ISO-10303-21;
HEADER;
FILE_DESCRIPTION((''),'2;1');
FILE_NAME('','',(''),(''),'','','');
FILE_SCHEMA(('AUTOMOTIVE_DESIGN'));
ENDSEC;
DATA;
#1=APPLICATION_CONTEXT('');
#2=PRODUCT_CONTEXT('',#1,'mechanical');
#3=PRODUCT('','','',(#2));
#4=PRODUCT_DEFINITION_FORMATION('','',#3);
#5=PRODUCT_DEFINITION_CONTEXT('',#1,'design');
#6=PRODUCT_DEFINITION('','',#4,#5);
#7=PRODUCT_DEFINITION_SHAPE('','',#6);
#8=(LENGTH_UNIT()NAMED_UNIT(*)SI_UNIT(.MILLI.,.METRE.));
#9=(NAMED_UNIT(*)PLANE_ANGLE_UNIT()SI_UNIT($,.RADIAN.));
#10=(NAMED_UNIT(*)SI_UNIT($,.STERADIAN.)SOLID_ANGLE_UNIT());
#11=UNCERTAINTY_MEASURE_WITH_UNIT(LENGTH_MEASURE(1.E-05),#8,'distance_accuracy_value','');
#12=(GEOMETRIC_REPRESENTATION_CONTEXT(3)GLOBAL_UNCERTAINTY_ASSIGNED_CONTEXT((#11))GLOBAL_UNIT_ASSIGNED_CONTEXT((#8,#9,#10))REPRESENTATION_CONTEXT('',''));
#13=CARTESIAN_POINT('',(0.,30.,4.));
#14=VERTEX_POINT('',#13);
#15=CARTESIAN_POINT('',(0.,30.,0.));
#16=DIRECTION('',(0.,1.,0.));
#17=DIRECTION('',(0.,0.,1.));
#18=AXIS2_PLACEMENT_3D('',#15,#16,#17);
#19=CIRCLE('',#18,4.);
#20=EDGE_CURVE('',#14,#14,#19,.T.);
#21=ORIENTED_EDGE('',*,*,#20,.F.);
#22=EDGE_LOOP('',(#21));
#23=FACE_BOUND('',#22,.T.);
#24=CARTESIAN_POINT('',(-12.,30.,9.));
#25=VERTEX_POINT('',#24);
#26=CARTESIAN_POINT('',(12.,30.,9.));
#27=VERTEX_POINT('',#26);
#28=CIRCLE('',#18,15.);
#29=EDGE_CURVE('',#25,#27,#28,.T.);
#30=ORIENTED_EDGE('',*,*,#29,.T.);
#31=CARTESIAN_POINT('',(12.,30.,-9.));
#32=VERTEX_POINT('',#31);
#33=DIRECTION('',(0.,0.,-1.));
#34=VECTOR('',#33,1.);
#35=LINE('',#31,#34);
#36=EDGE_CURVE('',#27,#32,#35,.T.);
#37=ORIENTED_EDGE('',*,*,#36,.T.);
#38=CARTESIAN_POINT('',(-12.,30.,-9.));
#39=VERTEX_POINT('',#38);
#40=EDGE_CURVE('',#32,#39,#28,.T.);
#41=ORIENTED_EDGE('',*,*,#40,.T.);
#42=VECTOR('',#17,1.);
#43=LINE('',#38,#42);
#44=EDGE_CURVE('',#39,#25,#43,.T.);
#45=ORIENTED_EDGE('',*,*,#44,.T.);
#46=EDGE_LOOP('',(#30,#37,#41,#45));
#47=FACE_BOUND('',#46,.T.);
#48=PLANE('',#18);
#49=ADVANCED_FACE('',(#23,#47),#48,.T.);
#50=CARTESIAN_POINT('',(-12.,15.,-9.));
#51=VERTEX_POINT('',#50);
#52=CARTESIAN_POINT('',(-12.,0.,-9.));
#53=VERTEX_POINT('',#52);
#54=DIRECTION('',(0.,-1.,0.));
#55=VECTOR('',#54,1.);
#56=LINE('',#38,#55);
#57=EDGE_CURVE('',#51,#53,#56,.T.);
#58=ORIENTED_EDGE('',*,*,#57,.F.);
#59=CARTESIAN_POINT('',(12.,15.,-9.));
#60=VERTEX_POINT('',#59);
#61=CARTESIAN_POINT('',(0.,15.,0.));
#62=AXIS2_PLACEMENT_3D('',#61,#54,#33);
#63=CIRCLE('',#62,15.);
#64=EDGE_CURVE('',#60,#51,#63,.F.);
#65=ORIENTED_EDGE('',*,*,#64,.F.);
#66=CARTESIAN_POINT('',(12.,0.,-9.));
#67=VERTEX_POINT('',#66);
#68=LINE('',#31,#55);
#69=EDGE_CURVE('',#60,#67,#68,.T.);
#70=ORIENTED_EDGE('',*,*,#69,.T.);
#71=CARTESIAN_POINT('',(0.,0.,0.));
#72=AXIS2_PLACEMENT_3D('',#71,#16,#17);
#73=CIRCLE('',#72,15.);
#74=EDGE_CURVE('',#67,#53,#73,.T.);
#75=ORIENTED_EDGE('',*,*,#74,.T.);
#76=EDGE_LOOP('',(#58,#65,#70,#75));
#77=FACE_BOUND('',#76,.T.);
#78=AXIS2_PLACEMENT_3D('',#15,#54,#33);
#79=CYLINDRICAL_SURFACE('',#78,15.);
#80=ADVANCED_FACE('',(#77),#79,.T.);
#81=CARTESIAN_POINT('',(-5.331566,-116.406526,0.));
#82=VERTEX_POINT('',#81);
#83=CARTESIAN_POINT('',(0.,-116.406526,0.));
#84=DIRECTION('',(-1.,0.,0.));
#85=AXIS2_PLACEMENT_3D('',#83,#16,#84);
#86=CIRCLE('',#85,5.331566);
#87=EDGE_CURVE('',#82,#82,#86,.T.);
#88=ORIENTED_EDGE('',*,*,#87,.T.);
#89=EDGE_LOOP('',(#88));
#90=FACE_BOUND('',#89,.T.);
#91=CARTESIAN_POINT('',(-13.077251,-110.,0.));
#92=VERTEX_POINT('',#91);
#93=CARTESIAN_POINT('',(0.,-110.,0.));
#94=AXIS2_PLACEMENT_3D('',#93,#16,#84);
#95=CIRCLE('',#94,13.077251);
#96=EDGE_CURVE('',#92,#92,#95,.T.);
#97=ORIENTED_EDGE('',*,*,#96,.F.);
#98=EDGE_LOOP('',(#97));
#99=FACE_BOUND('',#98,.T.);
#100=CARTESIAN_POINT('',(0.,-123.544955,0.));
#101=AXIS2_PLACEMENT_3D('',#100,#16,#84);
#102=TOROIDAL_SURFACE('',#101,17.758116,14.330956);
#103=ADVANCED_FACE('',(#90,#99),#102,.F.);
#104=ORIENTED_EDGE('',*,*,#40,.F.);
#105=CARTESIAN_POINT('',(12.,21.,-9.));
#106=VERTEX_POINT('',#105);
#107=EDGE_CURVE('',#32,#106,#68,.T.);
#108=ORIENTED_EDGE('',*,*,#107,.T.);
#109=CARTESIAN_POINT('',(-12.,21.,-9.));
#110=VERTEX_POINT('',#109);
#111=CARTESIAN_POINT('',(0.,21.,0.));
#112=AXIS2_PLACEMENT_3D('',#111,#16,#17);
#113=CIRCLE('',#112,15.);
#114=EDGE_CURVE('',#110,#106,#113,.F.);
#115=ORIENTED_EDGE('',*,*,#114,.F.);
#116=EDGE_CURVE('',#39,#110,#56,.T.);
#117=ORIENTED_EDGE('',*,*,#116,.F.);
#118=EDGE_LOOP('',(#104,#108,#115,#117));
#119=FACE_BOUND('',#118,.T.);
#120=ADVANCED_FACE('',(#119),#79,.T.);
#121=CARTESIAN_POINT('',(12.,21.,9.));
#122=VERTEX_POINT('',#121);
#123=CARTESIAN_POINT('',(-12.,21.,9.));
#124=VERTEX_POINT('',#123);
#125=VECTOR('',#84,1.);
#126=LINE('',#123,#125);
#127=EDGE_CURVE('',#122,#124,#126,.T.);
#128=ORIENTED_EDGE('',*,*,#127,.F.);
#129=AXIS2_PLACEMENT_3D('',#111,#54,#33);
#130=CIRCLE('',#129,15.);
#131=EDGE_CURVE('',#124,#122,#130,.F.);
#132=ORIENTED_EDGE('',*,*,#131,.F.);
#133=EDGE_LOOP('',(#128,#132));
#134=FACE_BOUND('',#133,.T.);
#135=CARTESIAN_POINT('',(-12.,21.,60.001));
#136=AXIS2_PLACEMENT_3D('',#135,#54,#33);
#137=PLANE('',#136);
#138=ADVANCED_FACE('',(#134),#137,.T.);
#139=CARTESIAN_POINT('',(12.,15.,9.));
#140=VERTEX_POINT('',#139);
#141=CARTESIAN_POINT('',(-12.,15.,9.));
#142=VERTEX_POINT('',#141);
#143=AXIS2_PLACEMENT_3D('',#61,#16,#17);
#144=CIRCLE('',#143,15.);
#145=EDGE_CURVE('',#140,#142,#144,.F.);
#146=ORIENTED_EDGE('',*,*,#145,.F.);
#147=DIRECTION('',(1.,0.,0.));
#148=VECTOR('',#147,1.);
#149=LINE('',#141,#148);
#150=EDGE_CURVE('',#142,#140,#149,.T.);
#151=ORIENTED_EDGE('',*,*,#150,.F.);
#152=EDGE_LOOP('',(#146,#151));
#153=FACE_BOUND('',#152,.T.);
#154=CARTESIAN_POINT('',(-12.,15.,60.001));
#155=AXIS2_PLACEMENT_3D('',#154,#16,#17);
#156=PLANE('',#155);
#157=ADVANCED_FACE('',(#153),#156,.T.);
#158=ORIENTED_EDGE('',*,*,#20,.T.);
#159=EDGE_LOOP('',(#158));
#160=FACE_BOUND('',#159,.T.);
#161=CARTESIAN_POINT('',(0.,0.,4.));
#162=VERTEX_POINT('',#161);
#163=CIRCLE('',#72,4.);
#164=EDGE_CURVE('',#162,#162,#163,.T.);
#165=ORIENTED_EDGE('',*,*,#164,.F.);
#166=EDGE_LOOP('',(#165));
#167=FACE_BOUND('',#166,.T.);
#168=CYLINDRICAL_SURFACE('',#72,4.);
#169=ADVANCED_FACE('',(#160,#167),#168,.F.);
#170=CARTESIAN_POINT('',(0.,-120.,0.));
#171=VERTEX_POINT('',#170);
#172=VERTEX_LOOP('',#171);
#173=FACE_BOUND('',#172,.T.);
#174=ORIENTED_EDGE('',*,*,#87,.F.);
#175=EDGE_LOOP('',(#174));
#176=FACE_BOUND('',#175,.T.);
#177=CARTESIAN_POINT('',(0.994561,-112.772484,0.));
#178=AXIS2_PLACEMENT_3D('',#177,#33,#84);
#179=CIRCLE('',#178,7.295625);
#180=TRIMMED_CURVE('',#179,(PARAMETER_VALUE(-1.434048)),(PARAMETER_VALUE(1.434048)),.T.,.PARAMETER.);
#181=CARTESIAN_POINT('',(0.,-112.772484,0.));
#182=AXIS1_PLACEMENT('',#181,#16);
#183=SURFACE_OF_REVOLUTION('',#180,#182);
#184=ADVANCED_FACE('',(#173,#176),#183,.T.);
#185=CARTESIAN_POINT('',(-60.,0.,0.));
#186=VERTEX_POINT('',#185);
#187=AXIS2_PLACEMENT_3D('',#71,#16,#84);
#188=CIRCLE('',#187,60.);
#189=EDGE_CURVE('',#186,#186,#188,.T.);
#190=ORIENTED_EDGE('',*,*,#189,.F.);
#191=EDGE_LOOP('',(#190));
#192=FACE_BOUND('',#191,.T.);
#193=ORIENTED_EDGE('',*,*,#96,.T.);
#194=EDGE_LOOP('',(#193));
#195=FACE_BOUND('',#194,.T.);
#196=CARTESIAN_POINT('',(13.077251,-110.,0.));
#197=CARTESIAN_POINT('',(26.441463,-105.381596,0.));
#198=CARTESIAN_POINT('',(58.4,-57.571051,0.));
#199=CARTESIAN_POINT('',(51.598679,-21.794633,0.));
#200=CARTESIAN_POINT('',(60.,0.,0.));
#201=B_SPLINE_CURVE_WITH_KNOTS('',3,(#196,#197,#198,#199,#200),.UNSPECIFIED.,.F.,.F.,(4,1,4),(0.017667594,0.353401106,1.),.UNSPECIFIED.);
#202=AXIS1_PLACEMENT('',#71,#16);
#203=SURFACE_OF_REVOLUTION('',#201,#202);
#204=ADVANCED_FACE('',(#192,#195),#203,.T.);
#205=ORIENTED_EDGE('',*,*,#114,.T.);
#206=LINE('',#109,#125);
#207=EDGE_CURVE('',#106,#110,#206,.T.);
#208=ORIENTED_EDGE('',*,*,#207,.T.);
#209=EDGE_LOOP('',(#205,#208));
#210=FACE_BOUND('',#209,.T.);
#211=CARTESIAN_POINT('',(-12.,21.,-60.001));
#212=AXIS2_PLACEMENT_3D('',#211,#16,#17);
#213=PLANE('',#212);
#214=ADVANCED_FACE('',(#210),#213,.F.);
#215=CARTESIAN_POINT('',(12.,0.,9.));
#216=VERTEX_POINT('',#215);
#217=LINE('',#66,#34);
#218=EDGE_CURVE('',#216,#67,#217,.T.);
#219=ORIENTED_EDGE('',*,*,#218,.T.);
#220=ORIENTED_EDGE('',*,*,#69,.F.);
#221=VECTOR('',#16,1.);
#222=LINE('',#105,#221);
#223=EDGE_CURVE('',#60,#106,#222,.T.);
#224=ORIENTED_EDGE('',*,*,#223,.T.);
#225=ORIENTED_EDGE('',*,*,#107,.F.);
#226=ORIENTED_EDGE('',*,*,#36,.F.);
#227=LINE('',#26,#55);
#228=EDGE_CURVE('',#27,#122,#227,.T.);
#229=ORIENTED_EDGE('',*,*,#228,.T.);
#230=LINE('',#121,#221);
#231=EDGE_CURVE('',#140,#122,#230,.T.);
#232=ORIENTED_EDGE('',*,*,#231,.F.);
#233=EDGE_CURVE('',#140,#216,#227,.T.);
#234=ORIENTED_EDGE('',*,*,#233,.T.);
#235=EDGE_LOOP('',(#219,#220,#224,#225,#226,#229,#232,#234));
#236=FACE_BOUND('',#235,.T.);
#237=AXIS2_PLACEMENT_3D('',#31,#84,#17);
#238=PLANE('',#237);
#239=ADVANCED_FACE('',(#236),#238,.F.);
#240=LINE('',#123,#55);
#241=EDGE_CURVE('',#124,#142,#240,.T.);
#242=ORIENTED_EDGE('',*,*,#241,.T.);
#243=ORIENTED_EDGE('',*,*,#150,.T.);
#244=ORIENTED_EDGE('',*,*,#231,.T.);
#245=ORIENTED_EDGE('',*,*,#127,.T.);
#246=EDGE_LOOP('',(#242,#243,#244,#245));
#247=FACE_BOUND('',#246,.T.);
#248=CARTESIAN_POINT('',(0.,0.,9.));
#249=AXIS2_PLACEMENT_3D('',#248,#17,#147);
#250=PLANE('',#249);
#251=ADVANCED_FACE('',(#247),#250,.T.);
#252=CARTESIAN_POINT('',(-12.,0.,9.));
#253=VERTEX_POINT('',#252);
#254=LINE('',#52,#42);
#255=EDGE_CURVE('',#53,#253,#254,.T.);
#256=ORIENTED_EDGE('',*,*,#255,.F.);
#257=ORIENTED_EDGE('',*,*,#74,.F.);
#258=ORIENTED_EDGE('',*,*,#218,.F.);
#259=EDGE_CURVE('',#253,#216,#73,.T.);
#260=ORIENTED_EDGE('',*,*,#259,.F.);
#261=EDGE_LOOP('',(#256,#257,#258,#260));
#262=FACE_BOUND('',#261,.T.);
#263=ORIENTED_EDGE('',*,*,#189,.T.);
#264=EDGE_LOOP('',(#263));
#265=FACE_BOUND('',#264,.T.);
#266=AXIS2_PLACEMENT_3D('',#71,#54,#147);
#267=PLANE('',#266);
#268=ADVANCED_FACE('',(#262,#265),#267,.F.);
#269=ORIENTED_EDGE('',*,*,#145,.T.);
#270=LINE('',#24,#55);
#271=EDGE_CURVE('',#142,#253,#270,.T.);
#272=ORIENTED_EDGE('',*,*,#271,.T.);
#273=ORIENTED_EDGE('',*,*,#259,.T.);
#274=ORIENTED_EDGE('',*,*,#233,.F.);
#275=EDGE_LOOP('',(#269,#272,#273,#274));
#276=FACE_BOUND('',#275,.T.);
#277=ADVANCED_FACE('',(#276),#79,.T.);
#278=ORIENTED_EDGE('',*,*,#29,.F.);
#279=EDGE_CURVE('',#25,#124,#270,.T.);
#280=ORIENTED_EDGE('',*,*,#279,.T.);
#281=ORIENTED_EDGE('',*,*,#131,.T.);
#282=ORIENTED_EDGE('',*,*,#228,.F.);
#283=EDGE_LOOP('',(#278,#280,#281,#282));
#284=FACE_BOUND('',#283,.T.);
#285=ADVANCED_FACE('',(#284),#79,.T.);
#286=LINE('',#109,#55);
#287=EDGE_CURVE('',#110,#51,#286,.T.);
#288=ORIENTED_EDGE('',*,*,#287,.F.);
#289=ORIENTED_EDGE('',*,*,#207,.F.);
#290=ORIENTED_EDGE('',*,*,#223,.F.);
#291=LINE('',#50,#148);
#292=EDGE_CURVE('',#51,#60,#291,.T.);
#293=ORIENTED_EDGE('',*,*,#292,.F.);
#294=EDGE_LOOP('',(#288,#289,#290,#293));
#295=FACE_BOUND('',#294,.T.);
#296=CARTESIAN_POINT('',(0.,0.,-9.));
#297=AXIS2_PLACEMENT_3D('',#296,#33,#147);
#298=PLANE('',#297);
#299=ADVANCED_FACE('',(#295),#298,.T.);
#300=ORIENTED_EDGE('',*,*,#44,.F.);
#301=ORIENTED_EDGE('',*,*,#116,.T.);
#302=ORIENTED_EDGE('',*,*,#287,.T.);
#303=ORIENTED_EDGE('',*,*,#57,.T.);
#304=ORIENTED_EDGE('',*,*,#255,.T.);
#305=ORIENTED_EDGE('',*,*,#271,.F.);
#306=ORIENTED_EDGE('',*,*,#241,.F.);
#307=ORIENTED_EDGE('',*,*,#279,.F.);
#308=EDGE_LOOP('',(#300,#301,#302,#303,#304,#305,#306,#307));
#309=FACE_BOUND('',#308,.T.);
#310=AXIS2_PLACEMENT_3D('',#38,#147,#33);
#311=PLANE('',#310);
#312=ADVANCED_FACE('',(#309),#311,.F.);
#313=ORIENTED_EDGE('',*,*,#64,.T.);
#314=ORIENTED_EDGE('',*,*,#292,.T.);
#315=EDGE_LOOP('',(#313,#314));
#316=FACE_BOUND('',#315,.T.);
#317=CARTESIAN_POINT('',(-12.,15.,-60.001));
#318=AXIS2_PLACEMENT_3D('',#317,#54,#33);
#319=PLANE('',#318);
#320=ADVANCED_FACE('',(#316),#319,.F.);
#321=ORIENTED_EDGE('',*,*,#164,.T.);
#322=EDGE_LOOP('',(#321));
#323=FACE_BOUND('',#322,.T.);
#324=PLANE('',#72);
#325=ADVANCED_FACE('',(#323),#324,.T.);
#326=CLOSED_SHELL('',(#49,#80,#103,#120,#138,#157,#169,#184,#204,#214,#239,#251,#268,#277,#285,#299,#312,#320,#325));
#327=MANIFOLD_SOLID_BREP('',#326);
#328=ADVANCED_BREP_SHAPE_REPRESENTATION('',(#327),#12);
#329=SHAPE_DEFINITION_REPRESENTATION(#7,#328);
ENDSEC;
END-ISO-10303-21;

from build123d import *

# Parameters (mm, degrees)
BOSS_EXTRUDE1_DEPTH = 30
SKETCH3_R           = 4
CUT_EXTRUDE1_DEPTH  = 30
CUT_EXTRUDE2_REACH  = 152.867
SKETCH5_W           = 24
SKETCH5_H           = 6


with BuildPart() as part:
    # Sketch1 → Revolve5 (revolve)
    with BuildSketch(Plane.XY, mode=Mode.PRIVATE) as revolve5_sk:
        with BuildLine():
            Line((0, 0), (60, 0))
            add(Edge.make_bspline(
                [(13.077250629, -110), (26.441462871, -105.381596251), (58.400000122, -57.571050955), (51.598678878, -21.794632863), (60, 0)],
                knots=[0.017667594, 0.017667594, 0.017667594, 0.017667594, 0.353401106, 1, 1, 1, 1], degree=3))
            ThreePointArc((13.077250629, -110), (8.624288133, -112.501880222), (5.3315658, -116.406526078))
            ThreePointArc((5.3315658, -116.406526078), (3.082984988, -118.82225748), (0, -120))
            Line((0, -120), (0, 0))
        make_face()
    revolve(revolve5_sk.sketch.rotate(Axis((0, 0, 0), (0, -1, 0)), 180), axis=Axis((0, 0, 0), (0, -1, 0)))

    # Sketch2 → Boss-Extrude1 (add)
    with BuildSketch(Plane(origin=(0, 0, 0), x_dir=(1, 0, 0), z_dir=(0, 1, 0))):
        with BuildLine():
            Line((12, 9), (12, -9))
            ThreePointArc((12, -9), (0, -15), (-12, -9))
            Line((-12, -9), (-12, 9))
            ThreePointArc((-12, 9), (0, 15), (12, 9))
        make_face()
    extrude(amount=BOSS_EXTRUDE1_DEPTH)

    # Sketch3 → Cut-Extrude1 (cut)
    with BuildSketch(Plane(origin=(0, 30, 0), x_dir=(1, 0, 0), z_dir=(0, 1, 0))):
        with Locations(Location((0, 0, 0), (0, 0, 270))):
            Circle(SKETCH3_R)
    extrude(amount=-CUT_EXTRUDE1_DEPTH, mode=Mode.SUBTRACT)

    # Sketch5 → Cut-Extrude2 (cut, up to next)
    with BuildSketch(Plane.XY.offset(9), mode=Mode.PRIVATE) as cut_extrude2_sk1:
        with Locations((0, 18)):
            Rectangle(SKETCH5_W, SKETCH5_H)
    cut_extrude2_tool1 = extrude(cut_extrude2_sk1.sketch, amount=CUT_EXTRUDE2_REACH, mode=Mode.PRIVATE) & part.part
    cut_extrude2 = cut_extrude2_tool1.solids().sort_by_distance((0, 18, 9))[0]
    add(cut_extrude2, mode=Mode.SUBTRACT)

    # Mirror1: Cut-Extrude2 across plane
    add(cut_extrude2.mirror(Plane.XY), mode=Mode.SUBTRACT)


solid = part.part
